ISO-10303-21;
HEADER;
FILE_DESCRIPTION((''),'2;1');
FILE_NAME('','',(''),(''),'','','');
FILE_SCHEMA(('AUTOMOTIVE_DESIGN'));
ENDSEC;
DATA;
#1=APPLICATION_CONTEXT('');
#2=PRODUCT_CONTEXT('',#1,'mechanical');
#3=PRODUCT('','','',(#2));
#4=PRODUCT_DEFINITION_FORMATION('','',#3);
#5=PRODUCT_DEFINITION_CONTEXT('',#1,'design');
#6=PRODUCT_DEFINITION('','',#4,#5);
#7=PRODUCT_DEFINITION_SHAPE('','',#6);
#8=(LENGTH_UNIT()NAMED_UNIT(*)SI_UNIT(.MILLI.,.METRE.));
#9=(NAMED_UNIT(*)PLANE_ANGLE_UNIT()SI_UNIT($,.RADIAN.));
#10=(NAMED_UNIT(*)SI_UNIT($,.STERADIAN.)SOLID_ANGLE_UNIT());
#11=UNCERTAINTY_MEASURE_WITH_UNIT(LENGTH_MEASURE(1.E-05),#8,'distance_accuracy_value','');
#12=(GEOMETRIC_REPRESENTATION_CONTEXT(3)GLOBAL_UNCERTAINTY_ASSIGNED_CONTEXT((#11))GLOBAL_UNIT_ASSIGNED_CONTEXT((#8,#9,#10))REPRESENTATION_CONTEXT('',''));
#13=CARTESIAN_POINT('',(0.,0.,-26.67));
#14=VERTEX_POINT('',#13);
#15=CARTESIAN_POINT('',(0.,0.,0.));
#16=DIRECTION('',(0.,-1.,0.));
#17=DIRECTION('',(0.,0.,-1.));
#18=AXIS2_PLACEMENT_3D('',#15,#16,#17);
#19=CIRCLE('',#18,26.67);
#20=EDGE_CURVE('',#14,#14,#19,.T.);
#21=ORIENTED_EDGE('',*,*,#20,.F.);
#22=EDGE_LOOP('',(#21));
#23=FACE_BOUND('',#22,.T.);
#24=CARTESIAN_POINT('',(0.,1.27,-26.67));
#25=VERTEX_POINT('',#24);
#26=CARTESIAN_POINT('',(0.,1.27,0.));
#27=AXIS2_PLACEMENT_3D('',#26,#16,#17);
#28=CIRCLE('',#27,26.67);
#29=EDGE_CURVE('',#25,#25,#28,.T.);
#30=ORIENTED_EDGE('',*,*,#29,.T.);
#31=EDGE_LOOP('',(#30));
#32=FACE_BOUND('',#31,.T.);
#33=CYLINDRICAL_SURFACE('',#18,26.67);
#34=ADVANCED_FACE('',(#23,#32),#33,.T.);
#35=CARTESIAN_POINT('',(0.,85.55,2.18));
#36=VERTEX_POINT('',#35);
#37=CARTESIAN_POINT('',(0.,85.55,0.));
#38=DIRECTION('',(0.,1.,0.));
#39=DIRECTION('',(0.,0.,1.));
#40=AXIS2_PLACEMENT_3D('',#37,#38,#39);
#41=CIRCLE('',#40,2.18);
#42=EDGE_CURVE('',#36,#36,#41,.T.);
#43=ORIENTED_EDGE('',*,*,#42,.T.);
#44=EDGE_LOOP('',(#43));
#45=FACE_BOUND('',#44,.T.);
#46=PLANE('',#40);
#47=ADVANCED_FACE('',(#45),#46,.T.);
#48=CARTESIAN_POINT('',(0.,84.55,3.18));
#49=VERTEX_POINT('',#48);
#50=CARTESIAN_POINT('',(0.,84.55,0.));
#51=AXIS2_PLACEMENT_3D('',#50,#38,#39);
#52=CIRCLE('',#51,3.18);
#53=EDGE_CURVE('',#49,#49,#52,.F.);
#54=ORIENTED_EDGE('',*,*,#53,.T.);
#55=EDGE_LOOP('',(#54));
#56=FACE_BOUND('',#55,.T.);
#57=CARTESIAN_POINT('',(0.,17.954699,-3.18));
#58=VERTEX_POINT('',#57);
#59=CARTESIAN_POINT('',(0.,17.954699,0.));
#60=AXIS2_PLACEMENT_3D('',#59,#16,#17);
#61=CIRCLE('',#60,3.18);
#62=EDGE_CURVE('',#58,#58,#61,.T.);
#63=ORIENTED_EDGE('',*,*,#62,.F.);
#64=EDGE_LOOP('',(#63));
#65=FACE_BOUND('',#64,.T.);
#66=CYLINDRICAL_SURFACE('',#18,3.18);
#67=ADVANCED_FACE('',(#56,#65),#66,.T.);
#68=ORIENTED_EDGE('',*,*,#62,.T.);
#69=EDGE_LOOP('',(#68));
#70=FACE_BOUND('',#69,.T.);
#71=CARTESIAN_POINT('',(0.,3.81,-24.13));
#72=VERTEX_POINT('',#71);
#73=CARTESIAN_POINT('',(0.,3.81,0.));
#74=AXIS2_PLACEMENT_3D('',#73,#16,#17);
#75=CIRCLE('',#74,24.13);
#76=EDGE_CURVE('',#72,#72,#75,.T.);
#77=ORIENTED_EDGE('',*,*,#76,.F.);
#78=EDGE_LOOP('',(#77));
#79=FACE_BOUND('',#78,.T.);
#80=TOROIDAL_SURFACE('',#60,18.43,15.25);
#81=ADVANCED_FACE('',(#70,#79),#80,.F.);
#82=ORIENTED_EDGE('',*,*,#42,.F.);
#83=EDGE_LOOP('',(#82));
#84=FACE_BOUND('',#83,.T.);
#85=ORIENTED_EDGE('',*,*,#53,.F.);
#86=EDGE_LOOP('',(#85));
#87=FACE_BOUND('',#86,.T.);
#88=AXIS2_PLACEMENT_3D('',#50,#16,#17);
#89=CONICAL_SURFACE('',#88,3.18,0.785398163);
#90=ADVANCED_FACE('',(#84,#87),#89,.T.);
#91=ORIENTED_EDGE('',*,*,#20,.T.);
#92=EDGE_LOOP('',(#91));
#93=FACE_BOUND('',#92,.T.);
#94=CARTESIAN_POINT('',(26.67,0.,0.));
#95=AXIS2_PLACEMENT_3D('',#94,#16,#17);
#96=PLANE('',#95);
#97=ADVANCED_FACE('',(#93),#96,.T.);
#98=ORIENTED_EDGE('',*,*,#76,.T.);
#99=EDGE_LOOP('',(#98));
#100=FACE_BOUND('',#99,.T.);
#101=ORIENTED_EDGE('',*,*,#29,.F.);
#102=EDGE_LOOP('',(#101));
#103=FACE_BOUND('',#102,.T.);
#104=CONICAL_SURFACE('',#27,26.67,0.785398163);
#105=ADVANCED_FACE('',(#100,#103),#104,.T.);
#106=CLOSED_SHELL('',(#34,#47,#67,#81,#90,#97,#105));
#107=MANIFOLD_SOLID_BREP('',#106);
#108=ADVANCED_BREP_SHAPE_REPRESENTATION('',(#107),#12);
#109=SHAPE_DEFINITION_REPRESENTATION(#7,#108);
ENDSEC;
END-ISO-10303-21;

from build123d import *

# Parameters (mm, degrees)
CHAMFER1_SIZE = 1


with BuildPart() as part:
    # Sketch1 → Revolve1 (revolve)
    with BuildSketch(Plane.XY):
        with BuildLine():
            Line((0, 0), (0, 85.55))
            Line((0, 85.55), (3.18, 85.55))
            Line((3.18, 85.55), (3.18, 17.954698654))
            ThreePointArc((3.18, 17.954698654), (9.896609701, 5.315721242), (24.13, 3.81))
            Line((24.13, 3.81), (26.67, 1.27))
            Line((26.67, 1.27), (26.67, 0))
            Line((26.67, 0), (0, 0))
        make_face()
    revolve(axis=Axis((0, 0, 0), (0, 1, 0)))

    # Chamfer1
    chamfer1_edges = [part.edges().sort_by_distance(p)[0] for p in [
        (-3.18, 85.55, 0),
    ]]
    chamfer(chamfer1_edges, length=CHAMFER1_SIZE)


solid = part.part
